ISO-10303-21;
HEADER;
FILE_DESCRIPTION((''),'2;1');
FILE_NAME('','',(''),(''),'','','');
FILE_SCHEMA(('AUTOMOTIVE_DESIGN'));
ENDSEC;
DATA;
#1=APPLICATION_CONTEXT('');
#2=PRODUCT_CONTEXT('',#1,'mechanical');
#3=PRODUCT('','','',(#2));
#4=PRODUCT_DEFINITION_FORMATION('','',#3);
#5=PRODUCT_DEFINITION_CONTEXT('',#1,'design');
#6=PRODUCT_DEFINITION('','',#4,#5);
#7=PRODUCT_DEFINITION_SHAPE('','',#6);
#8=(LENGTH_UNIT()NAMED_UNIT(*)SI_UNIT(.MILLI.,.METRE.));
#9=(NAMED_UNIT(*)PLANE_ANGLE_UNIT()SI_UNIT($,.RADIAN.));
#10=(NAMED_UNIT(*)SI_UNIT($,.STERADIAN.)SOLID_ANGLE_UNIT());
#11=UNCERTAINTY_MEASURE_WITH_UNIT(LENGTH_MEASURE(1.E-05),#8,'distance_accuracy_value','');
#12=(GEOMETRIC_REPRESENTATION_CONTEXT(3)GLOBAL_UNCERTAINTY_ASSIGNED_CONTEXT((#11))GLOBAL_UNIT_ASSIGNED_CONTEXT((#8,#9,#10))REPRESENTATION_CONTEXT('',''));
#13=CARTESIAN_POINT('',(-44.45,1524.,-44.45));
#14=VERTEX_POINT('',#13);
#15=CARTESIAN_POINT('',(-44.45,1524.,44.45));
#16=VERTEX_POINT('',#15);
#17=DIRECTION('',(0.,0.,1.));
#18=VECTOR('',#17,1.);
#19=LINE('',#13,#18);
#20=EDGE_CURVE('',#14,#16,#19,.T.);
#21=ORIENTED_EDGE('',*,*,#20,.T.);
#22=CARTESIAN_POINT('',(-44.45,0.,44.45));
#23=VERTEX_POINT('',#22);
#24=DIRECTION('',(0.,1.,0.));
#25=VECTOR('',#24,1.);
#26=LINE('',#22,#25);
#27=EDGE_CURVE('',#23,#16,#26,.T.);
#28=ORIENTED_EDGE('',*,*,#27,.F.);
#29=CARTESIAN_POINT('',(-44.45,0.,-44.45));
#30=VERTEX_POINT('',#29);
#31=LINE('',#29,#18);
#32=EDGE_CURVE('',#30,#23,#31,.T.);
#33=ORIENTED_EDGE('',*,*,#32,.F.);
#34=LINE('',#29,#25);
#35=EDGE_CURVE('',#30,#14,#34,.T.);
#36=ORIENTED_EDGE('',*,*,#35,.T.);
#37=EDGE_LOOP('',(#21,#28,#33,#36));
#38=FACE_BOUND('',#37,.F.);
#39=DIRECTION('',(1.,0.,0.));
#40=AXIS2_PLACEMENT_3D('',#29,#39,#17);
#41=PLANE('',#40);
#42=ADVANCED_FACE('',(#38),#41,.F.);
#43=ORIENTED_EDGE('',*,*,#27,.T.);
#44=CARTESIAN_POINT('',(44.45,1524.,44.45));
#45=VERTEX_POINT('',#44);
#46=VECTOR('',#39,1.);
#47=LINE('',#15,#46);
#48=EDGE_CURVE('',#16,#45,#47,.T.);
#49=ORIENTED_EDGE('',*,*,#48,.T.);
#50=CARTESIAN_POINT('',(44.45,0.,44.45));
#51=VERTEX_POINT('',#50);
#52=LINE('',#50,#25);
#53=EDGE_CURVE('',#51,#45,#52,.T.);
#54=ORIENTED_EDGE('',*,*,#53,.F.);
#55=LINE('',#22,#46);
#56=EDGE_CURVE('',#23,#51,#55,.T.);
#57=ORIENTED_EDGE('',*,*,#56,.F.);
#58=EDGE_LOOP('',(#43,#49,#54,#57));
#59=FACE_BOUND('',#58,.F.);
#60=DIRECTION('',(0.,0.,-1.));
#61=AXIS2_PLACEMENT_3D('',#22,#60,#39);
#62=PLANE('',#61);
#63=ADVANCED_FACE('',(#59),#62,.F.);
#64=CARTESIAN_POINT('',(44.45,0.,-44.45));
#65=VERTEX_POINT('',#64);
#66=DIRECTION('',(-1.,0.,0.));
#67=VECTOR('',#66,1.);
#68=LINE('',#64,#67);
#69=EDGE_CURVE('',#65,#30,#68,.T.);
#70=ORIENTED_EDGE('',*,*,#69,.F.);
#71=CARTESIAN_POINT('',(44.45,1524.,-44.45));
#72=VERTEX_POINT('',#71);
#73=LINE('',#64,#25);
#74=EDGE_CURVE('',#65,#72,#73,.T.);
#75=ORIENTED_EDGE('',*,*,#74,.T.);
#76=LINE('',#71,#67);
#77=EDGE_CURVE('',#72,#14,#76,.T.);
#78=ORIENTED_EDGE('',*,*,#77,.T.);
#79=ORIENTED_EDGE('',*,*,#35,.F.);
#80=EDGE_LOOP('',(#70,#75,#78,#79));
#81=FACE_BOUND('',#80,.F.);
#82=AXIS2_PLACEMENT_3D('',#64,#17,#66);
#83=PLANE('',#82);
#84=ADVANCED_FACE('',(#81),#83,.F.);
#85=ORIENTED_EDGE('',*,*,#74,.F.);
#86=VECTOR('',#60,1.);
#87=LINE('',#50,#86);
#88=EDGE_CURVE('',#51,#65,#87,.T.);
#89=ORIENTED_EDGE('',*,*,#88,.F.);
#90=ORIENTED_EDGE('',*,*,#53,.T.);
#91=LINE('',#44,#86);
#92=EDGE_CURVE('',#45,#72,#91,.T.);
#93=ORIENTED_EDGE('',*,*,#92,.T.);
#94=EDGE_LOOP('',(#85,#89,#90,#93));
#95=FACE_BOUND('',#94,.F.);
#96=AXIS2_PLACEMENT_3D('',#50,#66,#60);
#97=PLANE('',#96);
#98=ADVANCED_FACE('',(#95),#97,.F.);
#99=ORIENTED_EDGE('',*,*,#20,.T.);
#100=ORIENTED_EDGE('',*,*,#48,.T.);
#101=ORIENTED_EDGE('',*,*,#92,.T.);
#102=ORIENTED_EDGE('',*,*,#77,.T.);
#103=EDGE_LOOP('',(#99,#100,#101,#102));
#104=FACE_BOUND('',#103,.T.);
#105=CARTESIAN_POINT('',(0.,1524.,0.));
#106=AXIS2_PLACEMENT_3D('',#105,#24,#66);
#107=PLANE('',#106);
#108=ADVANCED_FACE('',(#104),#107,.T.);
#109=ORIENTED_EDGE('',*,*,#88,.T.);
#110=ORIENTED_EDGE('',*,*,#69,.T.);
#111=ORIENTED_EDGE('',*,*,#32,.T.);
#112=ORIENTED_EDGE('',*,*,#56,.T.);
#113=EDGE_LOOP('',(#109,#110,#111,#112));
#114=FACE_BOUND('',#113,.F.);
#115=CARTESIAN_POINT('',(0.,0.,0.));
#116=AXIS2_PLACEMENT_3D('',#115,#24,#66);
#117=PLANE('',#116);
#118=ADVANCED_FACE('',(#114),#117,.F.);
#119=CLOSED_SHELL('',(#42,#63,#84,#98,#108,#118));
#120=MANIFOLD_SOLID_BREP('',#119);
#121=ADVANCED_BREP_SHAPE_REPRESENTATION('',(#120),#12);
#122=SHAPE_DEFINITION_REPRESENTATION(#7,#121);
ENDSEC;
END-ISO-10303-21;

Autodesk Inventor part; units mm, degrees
ref_plane "YZ Plane" through (0, 0, 0) normal (1, 0, 0) x (0, 1, 0)
ref_plane "XZ Plane" through (0, 0, 0) normal (0, 1, 0) x (-1, 0, 0)
ref_plane "XY Plane" through (0, 0, 0) normal (0, 0, 1) x (1, 0, 0)
sketch "Sketch1" plane through (0, 0, 0) normal (0, 1, 0) x (-1, 0, 0)
  line L0 (-44.45, 44.45) -> (-44.45, -44.45)
  line L1 (-44.45, -44.45) -> (44.45, -44.45)
  line L2 (44.45, -44.45) -> (44.45, 44.45)
  line L3 (44.45, 44.45) -> (-44.45, 44.45)
  line L4 (-44.45, 44.45) -> (44.45, -44.45) construction
  line L5 (-44.45, -44.45) -> (44.45, 44.45) construction
  point P0 (0, 0)
  dimension "d0" = 88.9
extrude "Extrusion1" add sketch "Sketch1" along normal blind 1524
properties part number "New Rear Post North Side" material "Wood (Birch)"
